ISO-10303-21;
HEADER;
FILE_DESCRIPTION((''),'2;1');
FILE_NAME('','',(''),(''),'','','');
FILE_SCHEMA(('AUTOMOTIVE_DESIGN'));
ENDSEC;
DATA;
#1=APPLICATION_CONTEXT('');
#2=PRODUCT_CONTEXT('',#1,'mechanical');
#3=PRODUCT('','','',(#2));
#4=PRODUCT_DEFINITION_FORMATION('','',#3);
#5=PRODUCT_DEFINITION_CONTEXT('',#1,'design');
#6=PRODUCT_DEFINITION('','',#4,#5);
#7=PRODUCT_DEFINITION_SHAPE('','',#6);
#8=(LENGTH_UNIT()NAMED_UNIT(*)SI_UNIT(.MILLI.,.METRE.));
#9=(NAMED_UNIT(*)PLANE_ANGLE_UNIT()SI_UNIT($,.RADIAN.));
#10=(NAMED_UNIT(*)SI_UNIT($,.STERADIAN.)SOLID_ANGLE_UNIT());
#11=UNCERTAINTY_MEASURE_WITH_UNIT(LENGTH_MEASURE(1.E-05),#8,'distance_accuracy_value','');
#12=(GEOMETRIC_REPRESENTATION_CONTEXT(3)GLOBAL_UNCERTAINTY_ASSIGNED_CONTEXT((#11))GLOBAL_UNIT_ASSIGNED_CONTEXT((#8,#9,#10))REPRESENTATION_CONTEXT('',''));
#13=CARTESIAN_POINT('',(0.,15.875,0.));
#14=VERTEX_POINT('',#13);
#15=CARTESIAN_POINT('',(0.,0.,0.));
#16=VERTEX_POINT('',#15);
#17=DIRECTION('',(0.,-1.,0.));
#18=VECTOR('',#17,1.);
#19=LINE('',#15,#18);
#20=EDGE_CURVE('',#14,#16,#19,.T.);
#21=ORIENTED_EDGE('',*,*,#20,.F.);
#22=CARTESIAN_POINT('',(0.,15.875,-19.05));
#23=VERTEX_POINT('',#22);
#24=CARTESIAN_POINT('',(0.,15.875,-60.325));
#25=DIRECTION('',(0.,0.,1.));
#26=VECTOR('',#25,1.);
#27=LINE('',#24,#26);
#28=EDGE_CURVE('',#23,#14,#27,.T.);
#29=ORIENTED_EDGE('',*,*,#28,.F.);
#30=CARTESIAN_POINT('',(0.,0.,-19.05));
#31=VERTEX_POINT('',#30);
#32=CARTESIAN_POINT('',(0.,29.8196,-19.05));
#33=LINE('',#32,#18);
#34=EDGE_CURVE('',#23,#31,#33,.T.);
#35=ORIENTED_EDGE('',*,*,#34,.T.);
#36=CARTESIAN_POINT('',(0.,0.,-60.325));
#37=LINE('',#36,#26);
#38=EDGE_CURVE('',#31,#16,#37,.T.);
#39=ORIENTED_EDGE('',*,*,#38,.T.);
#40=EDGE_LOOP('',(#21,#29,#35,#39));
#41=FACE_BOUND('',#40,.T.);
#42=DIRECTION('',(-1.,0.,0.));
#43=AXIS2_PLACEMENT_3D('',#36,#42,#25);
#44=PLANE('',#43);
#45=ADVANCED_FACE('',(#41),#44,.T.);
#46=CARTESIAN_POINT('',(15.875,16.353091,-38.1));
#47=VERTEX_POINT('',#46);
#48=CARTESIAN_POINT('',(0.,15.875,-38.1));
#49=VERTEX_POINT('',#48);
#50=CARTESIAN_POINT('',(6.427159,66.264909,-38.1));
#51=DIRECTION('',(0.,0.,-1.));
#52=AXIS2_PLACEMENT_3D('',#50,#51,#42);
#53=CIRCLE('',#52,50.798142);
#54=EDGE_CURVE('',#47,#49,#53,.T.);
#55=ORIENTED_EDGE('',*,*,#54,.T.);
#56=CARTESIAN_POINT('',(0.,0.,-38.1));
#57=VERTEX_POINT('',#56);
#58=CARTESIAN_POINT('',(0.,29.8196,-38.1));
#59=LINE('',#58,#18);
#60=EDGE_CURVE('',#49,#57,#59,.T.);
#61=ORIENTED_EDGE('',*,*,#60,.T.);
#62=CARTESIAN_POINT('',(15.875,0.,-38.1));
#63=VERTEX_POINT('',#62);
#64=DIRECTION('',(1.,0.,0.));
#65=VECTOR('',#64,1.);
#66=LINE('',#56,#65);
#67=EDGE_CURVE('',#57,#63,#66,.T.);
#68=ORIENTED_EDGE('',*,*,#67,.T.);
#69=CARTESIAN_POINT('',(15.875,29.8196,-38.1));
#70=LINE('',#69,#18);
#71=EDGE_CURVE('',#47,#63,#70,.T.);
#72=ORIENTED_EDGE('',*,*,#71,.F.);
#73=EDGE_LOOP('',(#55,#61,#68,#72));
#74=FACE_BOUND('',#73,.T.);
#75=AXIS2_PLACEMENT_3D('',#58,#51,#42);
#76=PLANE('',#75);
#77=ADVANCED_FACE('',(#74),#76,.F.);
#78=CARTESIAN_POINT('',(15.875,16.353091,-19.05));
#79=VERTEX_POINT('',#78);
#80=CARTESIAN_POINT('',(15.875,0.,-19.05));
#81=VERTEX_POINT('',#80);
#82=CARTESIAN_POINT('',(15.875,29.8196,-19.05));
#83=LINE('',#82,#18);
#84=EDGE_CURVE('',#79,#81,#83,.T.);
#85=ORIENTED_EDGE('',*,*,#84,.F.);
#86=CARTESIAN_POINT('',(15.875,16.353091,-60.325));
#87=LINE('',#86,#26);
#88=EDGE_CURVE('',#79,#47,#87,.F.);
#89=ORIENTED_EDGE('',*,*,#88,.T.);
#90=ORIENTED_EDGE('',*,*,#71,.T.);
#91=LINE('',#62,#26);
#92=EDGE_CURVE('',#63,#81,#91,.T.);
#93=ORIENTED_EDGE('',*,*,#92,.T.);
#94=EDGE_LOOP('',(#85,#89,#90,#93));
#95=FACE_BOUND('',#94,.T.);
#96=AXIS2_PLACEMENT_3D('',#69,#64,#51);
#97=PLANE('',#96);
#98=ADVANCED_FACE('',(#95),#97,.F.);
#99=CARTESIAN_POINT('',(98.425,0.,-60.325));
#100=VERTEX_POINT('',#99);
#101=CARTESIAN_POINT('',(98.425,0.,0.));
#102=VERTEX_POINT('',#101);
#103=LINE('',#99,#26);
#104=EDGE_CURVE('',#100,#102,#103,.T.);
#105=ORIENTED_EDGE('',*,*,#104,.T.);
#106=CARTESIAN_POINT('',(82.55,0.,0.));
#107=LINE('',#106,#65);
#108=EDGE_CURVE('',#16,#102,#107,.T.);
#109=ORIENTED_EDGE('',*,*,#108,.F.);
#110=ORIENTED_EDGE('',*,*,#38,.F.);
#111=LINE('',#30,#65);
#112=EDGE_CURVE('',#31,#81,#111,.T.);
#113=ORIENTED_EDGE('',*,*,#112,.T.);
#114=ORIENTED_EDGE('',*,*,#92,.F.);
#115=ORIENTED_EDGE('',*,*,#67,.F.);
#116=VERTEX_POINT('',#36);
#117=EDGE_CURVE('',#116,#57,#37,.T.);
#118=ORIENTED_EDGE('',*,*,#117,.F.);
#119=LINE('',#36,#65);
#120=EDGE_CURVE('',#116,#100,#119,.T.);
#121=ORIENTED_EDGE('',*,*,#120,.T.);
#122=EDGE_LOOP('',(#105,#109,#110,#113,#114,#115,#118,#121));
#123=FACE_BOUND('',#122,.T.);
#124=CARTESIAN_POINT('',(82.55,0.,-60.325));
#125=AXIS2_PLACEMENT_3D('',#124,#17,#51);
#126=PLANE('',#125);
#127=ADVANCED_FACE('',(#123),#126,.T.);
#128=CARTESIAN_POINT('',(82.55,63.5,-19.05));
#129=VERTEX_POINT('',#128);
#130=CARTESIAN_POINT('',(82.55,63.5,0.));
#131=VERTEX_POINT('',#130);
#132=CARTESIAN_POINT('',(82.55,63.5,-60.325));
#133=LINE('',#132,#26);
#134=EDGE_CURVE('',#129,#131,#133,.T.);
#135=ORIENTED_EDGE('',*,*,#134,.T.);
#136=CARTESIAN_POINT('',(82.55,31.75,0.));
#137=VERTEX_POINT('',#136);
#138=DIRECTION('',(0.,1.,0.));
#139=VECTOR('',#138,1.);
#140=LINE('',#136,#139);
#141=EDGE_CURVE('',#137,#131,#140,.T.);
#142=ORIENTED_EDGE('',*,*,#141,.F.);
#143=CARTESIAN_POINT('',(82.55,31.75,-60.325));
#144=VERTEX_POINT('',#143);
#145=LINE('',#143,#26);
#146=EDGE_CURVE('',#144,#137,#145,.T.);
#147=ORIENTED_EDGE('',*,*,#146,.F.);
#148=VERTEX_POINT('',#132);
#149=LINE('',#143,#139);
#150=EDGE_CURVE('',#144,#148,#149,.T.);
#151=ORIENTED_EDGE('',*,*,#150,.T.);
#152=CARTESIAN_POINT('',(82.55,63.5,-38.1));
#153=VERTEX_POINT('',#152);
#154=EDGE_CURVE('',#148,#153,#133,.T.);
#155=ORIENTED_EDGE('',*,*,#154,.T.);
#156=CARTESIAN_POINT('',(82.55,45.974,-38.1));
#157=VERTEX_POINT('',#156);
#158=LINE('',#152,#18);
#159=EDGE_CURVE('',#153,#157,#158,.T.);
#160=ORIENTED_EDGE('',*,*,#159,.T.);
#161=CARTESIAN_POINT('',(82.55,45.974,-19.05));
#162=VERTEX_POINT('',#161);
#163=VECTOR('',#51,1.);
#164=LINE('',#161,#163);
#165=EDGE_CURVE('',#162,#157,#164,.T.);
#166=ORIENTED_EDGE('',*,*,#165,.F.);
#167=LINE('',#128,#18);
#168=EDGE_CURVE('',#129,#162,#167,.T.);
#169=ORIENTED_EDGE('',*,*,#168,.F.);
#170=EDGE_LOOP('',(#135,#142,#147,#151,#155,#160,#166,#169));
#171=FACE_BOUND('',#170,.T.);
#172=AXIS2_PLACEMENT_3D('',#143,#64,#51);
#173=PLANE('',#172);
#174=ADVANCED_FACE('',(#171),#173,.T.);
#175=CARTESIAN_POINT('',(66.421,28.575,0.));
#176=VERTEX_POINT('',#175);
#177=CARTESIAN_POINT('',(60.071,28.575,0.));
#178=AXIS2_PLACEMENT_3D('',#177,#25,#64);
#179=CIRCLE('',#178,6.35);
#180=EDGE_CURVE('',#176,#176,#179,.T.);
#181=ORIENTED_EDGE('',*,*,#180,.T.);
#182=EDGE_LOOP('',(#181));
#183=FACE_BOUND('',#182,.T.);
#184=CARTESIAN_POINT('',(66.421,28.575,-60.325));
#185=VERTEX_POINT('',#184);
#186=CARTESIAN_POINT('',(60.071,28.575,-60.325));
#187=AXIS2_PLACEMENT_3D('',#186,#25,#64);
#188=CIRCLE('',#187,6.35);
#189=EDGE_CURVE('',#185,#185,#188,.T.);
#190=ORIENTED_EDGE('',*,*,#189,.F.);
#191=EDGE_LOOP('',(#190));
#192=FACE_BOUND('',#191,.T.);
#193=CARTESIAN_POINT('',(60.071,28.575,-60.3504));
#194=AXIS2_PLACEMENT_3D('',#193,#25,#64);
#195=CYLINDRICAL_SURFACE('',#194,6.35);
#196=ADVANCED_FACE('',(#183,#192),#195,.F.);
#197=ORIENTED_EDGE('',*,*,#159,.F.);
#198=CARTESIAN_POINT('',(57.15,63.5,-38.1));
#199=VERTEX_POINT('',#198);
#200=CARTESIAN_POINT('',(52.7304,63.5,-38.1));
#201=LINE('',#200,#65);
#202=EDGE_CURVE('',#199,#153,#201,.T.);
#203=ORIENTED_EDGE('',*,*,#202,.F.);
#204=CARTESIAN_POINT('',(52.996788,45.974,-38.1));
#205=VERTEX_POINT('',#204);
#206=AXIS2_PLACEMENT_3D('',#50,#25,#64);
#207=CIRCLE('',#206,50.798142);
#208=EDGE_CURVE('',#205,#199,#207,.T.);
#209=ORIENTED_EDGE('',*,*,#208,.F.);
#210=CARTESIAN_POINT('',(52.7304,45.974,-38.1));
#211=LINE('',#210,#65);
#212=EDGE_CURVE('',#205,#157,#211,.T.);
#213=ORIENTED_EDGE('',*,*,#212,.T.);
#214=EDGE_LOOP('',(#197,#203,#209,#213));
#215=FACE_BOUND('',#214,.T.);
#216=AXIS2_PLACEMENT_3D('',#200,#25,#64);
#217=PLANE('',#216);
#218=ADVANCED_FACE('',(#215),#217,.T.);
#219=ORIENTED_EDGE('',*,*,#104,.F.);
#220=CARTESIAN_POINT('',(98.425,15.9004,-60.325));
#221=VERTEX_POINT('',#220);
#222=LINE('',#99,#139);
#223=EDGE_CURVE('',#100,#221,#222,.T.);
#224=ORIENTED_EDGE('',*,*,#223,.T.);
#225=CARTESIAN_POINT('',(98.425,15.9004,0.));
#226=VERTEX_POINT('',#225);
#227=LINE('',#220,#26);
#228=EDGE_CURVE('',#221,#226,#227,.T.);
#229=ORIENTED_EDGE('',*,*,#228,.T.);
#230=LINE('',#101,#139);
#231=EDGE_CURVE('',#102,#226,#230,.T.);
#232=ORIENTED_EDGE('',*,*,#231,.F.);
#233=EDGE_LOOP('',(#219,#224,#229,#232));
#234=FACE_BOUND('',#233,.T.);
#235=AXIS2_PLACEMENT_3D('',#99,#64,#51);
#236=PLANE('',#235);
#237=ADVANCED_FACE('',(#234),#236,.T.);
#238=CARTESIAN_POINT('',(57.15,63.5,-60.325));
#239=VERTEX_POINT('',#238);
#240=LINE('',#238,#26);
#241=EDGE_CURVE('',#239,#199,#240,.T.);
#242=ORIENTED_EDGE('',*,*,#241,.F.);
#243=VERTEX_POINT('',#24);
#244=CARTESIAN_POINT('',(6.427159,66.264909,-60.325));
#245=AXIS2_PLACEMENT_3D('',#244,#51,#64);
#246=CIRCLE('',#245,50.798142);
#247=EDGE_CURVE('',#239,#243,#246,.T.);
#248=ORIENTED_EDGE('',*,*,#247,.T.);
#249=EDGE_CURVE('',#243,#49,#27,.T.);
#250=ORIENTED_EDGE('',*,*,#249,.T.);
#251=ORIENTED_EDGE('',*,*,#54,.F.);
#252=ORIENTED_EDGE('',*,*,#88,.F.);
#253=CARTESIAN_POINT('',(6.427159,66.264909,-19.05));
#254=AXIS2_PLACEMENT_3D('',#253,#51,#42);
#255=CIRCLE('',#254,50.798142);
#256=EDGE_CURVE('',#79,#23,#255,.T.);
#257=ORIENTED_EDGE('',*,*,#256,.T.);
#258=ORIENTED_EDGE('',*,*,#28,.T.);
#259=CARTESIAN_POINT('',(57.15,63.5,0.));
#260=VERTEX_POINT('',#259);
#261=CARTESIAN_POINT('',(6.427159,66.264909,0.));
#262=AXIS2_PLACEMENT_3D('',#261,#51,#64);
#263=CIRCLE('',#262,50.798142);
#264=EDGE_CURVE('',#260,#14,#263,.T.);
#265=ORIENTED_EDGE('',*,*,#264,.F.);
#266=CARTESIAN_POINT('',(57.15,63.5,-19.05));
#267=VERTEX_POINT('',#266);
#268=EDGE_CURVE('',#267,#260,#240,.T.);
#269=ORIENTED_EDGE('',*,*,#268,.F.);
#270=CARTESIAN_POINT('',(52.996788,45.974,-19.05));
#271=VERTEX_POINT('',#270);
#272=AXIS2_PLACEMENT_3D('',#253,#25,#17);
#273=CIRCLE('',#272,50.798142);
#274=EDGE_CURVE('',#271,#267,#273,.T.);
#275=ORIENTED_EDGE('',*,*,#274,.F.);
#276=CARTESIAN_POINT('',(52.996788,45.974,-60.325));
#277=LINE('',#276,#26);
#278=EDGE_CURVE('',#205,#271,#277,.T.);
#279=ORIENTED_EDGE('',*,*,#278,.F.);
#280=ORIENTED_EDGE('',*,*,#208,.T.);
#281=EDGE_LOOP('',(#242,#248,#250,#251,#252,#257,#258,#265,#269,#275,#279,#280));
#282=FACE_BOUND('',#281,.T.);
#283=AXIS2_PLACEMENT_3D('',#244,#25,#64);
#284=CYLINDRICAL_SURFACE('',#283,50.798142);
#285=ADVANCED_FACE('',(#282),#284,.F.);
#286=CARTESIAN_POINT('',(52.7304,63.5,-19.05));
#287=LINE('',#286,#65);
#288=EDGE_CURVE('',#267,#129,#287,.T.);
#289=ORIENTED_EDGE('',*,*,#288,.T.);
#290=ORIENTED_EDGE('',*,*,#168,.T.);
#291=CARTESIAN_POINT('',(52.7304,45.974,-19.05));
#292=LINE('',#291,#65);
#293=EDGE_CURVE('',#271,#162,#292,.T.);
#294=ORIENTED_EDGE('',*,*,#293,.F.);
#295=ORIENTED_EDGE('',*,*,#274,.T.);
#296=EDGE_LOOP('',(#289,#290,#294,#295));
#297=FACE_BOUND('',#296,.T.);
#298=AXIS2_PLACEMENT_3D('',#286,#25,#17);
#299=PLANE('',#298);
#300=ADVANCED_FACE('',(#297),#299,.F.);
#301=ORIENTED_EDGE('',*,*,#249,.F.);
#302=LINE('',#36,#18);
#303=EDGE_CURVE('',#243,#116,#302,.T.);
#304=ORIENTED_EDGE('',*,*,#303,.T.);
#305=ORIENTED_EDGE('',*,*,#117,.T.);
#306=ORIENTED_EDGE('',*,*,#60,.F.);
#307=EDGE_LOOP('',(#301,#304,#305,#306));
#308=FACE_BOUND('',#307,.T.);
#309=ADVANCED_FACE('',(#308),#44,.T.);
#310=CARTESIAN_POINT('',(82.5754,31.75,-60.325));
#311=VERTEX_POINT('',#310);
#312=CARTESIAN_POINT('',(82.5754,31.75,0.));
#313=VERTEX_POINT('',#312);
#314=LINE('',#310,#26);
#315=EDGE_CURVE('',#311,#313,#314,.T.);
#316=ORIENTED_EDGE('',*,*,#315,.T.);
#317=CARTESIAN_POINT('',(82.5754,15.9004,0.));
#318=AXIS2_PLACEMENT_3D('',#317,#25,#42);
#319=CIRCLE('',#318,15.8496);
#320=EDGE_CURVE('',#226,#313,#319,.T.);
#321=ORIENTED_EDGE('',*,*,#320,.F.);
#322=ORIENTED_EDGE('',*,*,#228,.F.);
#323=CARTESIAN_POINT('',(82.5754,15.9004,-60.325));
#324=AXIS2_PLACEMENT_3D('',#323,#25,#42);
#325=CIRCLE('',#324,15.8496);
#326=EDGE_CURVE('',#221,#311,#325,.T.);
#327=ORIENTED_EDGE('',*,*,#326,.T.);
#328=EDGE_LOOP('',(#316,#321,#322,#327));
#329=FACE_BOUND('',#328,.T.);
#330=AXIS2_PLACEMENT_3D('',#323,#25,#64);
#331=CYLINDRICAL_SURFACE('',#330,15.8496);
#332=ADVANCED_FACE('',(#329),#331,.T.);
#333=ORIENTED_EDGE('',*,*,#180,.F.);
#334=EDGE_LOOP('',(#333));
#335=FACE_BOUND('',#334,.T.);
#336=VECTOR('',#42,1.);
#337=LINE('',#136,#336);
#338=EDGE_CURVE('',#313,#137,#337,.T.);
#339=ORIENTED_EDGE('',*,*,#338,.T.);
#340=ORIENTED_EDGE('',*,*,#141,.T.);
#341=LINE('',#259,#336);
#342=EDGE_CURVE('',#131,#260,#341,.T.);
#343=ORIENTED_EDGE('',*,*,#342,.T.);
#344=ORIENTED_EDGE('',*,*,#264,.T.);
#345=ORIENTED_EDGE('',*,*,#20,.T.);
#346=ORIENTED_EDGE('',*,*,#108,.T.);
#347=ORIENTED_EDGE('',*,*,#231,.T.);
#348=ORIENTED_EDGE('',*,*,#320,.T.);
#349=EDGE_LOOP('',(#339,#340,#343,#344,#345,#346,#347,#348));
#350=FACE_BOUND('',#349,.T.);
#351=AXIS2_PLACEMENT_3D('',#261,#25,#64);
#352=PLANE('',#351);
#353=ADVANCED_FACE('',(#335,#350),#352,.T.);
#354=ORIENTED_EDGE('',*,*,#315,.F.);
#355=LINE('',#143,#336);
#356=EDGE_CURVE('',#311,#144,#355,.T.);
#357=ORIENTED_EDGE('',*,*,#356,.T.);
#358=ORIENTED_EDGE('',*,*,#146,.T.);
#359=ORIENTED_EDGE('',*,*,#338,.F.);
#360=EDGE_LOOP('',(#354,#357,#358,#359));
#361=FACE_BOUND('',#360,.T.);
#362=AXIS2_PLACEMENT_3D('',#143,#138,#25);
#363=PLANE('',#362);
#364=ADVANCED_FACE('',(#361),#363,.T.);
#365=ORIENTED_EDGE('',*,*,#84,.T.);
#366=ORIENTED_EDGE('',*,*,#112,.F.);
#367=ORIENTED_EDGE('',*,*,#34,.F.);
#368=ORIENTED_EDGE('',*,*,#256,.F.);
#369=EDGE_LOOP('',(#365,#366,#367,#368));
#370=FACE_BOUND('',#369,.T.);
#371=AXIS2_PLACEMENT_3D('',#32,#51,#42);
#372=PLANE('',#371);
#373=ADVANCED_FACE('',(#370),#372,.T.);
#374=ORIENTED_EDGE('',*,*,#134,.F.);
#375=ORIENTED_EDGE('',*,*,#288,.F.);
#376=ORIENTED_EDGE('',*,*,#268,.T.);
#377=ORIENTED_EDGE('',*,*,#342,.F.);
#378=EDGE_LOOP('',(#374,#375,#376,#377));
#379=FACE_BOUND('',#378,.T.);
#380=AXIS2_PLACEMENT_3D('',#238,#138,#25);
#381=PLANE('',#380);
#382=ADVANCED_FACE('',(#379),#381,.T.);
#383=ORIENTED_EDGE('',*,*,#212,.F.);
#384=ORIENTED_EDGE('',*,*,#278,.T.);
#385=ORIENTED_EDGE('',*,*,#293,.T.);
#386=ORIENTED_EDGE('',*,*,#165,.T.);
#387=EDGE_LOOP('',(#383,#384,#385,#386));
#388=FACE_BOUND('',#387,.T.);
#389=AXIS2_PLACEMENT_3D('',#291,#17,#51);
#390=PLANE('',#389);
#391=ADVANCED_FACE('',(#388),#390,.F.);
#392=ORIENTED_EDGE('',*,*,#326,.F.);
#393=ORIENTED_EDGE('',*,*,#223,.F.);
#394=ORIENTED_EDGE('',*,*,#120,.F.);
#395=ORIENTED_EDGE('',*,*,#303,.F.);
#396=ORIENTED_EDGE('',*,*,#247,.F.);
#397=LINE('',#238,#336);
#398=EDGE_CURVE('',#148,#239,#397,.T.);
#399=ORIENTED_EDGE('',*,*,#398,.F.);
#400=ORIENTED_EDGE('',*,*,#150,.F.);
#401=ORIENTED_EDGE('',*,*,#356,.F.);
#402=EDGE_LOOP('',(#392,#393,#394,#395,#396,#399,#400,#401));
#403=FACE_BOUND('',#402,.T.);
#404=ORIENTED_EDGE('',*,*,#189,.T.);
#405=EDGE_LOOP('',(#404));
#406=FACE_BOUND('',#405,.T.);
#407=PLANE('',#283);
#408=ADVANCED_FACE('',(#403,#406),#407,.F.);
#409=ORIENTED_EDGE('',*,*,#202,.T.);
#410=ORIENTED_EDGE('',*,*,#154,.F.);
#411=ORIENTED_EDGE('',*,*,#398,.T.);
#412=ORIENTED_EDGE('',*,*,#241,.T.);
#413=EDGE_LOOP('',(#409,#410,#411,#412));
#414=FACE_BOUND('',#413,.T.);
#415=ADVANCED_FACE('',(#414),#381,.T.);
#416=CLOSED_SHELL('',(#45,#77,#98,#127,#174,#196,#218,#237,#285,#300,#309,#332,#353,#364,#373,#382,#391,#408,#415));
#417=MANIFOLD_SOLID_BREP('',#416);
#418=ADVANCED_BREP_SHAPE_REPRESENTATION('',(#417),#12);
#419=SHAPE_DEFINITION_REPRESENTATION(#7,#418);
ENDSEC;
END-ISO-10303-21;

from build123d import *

# Parameters (mm, degrees)
BOSS_EXTRUDE1_DEPTH = 60.325
SKETCH2_W           = 19.05
SKETCH2_H           = 17.526
CUT_EXTRUDE1_DEPTH  = 29.8196
SKETCH3_W           = 15.875
SKETCH3_H           = 19.05
CUT_EXTRUDE2_DEPTH  = 29.8196
SKETCH4_R           = 6.35
CUT_EXTRUDE3_DEPTH  = 60.3504


with BuildPart() as part:
    # Sketch1 → Boss-Extrude1 (new body)
    with BuildSketch(Plane.XY):
        with BuildLine():
            Line((0, 0), (82.55, 0))
            Line((82.55, 0), (98.425, 0))
            Line((98.425, 0), (98.425, 15.9004))
            ThreePointArc((98.425, 15.9004), (93.782759639, 27.107759639), (82.5754, 31.75))
            Line((82.5754, 31.75), (82.55, 31.75))
            Line((82.55, 31.75), (82.55, 63.5))
            Line((82.55, 63.5), (57.15, 63.5))
            ThreePointArc((57.15, 63.5), (38.947337741, 27.240694711), (0, 15.875))
            Line((0, 15.875), (0, 0))
        make_face()
    extrude(amount=-BOSS_EXTRUDE1_DEPTH)

    # Sketch2 → Cut-Extrude1 (cut)
    with BuildSketch(Plane(origin=(82.55, 0, 0), x_dir=(0, 0, -1), z_dir=(1, 0, 0))):
        with Locations((28.575, 54.737)):
            Rectangle(SKETCH2_W, SKETCH2_H)
    extrude(amount=-CUT_EXTRUDE1_DEPTH, mode=Mode.SUBTRACT)

    # Sketch3 → Cut-Extrude2 (cut)
    with BuildSketch(Plane.XZ):
        with Locations((7.9375, -28.575)):
            Rectangle(SKETCH3_W, SKETCH3_H)
    extrude(amount=-CUT_EXTRUDE2_DEPTH, mode=Mode.SUBTRACT)

    # Sketch4 → Cut-Extrude3 (cut)
    with BuildSketch(Plane.XY):
        with Locations((60.071, 28.575)):
            Circle(SKETCH4_R)
    extrude(amount=-CUT_EXTRUDE3_DEPTH, mode=Mode.SUBTRACT)


solid = part.part
